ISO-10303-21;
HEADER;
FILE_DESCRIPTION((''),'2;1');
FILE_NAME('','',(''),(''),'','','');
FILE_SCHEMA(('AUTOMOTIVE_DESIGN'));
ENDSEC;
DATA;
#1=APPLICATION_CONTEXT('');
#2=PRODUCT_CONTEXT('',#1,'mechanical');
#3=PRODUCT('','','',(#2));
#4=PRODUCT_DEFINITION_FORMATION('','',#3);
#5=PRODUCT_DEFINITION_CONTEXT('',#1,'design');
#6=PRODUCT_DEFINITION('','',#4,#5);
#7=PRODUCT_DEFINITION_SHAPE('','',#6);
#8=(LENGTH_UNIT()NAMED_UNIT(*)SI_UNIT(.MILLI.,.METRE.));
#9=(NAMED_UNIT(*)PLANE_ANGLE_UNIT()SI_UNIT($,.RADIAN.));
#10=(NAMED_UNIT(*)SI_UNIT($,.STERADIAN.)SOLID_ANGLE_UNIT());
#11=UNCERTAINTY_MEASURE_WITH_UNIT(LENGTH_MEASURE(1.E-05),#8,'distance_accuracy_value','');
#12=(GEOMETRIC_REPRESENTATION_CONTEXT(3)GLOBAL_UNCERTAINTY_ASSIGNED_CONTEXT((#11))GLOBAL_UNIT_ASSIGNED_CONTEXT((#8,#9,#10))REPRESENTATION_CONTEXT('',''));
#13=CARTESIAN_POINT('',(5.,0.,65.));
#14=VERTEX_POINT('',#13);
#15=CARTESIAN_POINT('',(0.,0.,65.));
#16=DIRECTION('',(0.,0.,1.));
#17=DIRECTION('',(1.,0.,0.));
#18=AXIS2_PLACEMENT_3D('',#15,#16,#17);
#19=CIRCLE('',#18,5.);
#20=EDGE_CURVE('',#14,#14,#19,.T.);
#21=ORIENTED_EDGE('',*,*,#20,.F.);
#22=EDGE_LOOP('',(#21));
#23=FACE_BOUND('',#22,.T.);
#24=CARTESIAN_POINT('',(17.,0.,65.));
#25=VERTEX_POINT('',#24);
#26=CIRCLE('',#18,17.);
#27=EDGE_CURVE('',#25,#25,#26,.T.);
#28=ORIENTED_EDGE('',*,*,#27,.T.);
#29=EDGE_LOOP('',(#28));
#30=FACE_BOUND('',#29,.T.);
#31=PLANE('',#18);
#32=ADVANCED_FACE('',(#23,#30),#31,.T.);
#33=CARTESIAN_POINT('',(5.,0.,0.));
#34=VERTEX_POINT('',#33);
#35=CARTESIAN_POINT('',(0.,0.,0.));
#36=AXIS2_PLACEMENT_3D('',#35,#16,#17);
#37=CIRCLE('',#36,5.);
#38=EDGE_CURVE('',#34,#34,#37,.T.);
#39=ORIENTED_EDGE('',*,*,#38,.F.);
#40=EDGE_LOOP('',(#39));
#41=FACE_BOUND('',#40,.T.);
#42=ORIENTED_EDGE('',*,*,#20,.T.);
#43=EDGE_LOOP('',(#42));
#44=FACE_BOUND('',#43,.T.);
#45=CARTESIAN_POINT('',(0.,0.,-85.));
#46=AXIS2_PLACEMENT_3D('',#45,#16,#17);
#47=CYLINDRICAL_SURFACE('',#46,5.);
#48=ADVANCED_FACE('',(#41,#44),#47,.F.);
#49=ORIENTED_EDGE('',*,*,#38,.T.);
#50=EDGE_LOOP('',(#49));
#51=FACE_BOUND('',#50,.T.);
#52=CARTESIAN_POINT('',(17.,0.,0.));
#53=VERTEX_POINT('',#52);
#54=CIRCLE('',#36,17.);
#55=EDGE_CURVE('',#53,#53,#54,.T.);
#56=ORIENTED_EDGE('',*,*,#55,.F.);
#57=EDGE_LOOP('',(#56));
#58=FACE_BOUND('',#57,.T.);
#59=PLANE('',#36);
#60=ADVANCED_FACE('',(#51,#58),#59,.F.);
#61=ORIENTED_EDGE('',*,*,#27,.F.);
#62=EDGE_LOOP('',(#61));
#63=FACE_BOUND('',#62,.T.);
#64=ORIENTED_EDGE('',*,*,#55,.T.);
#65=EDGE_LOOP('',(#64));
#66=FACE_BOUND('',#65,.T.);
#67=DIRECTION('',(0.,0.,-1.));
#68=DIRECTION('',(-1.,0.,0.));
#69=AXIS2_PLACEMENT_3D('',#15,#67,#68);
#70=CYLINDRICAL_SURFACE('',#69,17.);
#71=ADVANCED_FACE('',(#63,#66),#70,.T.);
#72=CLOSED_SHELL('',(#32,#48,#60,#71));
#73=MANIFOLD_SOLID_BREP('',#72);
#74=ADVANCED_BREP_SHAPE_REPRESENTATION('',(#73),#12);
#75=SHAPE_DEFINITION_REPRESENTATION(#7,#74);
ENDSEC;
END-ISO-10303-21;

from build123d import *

# Parameters (mm, degrees)
SKETCH1_R           = 17
BOSS_EXTRUDE1_DEPTH = 65
SKETCH2_R           = 5
CUT_EXTRUDE1_DEPTH  = 150


with BuildPart() as part:
    # Sketch1 → Boss-Extrude1 (new body)
    with BuildSketch(Plane.XY):
        Circle(SKETCH1_R)
    extrude(amount=BOSS_EXTRUDE1_DEPTH)

    # Sketch2 → Cut-Extrude1 (cut)
    with BuildSketch(Plane.XY.offset(65)):
        Circle(SKETCH2_R)
    extrude(amount=-CUT_EXTRUDE1_DEPTH, mode=Mode.SUBTRACT)


solid = part.part
